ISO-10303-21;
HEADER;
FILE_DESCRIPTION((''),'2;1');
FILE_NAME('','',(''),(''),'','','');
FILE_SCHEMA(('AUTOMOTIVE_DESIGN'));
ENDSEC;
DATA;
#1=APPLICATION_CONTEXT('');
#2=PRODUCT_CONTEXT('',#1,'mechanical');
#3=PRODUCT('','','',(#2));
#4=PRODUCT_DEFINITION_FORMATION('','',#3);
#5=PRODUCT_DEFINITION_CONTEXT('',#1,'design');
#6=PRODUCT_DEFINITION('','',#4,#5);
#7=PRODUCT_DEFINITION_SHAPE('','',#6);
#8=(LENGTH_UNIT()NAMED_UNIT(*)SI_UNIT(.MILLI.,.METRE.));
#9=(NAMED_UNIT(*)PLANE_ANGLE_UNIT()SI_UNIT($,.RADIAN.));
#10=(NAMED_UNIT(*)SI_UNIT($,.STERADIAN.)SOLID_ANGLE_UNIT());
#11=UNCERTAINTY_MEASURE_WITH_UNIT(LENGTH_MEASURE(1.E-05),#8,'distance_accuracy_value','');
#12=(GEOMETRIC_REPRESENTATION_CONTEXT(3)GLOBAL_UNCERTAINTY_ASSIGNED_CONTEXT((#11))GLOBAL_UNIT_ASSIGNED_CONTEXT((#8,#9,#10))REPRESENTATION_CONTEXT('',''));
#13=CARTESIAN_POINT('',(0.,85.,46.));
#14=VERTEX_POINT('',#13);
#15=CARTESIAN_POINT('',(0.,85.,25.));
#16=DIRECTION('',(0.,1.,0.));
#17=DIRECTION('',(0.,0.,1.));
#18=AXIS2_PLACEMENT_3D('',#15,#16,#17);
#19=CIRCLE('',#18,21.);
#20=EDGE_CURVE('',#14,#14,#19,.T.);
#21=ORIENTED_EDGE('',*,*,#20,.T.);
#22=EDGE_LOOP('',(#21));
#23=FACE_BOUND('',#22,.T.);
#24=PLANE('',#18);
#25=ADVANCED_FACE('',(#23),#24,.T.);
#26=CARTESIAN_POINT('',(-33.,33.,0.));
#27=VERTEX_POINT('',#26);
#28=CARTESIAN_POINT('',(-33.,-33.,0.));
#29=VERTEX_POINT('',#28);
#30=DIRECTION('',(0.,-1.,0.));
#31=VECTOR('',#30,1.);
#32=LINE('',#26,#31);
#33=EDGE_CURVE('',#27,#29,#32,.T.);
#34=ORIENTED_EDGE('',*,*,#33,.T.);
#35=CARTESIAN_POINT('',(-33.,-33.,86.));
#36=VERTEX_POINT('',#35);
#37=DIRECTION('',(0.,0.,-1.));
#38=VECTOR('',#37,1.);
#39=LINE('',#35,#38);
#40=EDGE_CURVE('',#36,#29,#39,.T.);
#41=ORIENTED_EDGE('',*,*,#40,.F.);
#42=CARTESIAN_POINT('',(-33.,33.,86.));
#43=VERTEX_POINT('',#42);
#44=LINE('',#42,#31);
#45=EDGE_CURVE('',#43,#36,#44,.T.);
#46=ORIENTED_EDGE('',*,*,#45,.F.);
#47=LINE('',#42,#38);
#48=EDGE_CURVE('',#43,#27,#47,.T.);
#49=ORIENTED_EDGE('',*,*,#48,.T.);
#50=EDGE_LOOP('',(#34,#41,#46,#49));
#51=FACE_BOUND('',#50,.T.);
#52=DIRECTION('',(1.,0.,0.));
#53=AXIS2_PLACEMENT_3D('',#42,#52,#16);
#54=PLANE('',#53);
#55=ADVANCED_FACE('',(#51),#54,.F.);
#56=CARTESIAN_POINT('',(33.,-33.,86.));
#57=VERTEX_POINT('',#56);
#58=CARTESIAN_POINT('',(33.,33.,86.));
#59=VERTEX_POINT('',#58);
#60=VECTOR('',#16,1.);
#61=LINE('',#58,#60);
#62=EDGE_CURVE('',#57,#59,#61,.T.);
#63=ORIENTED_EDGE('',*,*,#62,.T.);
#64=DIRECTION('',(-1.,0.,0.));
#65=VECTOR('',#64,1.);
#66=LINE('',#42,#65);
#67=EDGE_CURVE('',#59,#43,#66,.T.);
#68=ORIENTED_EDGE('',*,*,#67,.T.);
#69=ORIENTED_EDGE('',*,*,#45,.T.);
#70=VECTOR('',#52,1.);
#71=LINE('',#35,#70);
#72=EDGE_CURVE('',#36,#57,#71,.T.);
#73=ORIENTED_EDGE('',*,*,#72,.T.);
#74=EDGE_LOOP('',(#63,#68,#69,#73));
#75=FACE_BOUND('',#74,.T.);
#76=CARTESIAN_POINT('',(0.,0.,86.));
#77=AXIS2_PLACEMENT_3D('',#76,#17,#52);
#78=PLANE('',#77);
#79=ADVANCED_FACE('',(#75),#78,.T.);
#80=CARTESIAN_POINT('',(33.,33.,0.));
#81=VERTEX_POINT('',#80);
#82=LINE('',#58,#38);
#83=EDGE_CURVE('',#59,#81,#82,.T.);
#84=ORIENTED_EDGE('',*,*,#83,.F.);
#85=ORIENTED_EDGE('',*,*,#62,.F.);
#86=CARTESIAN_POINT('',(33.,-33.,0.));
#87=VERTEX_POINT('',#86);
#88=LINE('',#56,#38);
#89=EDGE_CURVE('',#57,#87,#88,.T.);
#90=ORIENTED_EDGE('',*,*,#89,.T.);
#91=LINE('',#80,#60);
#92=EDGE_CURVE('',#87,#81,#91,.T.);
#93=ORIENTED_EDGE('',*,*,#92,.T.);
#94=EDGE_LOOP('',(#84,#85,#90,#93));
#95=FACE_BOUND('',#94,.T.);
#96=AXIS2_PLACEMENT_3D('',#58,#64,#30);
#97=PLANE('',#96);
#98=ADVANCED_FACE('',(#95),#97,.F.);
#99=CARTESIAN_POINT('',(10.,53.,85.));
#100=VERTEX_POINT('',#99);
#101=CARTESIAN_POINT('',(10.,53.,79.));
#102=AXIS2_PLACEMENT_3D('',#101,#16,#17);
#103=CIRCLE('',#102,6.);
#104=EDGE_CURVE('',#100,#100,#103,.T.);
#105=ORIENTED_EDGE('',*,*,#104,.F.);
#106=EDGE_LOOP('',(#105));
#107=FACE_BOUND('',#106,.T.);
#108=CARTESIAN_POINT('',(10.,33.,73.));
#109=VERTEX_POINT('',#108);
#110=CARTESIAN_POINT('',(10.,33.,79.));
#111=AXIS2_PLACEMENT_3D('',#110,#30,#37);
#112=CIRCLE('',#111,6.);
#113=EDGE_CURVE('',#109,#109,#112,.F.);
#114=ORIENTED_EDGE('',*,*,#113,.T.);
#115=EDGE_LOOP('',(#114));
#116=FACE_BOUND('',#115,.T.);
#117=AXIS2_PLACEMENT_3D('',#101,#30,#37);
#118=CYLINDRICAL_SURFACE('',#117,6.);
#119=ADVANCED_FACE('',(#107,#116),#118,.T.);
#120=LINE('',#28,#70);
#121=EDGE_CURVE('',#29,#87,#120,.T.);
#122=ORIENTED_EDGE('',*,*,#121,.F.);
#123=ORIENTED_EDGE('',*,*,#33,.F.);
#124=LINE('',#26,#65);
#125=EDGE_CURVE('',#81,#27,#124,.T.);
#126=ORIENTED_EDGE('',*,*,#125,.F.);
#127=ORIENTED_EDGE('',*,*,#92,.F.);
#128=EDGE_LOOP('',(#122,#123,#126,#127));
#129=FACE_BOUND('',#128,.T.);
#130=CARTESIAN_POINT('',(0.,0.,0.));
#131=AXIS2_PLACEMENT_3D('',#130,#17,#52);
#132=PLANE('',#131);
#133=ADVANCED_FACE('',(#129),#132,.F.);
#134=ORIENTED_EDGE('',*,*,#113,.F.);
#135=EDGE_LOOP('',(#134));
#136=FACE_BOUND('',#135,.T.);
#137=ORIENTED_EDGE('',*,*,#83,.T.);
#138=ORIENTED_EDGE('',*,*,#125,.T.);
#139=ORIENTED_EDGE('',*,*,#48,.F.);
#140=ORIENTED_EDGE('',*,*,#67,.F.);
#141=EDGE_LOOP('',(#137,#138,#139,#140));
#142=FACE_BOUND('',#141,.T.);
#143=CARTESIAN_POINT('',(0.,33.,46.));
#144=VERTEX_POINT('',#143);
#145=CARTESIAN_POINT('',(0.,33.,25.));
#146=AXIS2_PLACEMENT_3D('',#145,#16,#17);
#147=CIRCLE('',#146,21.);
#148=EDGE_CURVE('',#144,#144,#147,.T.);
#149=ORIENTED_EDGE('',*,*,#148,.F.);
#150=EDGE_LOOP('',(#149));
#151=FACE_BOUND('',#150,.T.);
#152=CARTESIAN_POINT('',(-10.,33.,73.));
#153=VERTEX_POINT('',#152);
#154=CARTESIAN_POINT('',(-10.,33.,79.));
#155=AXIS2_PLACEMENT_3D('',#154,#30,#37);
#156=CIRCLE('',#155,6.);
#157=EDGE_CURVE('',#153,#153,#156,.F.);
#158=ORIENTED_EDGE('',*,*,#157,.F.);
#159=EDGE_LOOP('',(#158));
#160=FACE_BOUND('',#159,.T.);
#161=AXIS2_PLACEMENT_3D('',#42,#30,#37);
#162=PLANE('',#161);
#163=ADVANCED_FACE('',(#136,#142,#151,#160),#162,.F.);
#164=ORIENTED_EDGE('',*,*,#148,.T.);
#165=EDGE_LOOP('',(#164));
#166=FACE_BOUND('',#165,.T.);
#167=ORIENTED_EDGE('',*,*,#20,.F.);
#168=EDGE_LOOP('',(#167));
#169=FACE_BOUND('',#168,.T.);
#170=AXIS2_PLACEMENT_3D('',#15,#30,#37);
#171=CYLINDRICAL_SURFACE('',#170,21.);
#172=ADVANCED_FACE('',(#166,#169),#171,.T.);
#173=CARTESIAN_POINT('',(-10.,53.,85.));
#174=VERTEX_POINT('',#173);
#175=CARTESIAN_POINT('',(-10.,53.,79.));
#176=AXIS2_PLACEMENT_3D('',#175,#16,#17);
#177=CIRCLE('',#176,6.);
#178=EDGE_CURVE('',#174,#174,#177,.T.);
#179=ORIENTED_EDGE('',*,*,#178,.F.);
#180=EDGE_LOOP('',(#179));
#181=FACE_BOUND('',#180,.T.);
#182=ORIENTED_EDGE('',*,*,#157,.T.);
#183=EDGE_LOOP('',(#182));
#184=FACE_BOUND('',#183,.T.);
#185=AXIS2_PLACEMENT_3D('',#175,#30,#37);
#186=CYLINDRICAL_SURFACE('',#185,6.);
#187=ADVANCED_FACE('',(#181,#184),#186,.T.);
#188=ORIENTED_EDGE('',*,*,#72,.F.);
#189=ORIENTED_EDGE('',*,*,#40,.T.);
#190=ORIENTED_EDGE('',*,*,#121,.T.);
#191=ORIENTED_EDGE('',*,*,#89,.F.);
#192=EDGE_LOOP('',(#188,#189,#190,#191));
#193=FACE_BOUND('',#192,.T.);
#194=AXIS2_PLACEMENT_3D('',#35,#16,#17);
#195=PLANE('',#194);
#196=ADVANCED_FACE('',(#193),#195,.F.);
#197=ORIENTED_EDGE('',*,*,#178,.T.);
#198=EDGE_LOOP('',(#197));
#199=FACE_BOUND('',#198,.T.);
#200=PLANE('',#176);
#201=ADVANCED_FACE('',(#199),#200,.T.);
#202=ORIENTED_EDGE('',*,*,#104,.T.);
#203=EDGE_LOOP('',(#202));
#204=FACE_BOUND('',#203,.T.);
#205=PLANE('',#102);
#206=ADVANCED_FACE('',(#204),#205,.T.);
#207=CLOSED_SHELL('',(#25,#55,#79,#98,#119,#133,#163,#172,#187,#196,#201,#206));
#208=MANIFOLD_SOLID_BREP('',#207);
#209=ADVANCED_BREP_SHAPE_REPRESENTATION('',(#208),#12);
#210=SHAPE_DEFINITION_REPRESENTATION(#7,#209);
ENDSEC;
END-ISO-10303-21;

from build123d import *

# Parameters (mm, degrees)
SKETCH_1_W      = 66
SKETCH_1_H      = 66
EXTRUDE_1_DEPTH = 86
SKETCH_2_R      = 21
EXTRUDE_2_DEPTH = 52
SKETCH_3_R      = 6
EXTRUDE_3_DEPTH = 20


with BuildPart() as part:
    # 草图1 → 凸台-拉伸1 (new body)
    with BuildSketch(Plane.XY):
        Rectangle(SKETCH_1_W, SKETCH_1_H)
    extrude(amount=EXTRUDE_1_DEPTH)

    # 草图2 → 凸台-拉伸2 (add)
    with BuildSketch(Plane(origin=(0, 33, 0), x_dir=(1, 0, 0), z_dir=(0, 1, 0))):
        with Locations((0, -25)):
            Circle(SKETCH_2_R)
    extrude(amount=EXTRUDE_2_DEPTH)

    # 草图3 → 凸台-拉伸3 (add)
    with BuildSketch(Plane(origin=(0, 33, 0), x_dir=(1, 0, 0), z_dir=(0, 1, 0))):
        with Locations((-10, -79)):
            Circle(SKETCH_3_R)
        with Locations((10, -79)):
            Circle(SKETCH_3_R)
    extrude(amount=EXTRUDE_3_DEPTH)


solid = part.part
